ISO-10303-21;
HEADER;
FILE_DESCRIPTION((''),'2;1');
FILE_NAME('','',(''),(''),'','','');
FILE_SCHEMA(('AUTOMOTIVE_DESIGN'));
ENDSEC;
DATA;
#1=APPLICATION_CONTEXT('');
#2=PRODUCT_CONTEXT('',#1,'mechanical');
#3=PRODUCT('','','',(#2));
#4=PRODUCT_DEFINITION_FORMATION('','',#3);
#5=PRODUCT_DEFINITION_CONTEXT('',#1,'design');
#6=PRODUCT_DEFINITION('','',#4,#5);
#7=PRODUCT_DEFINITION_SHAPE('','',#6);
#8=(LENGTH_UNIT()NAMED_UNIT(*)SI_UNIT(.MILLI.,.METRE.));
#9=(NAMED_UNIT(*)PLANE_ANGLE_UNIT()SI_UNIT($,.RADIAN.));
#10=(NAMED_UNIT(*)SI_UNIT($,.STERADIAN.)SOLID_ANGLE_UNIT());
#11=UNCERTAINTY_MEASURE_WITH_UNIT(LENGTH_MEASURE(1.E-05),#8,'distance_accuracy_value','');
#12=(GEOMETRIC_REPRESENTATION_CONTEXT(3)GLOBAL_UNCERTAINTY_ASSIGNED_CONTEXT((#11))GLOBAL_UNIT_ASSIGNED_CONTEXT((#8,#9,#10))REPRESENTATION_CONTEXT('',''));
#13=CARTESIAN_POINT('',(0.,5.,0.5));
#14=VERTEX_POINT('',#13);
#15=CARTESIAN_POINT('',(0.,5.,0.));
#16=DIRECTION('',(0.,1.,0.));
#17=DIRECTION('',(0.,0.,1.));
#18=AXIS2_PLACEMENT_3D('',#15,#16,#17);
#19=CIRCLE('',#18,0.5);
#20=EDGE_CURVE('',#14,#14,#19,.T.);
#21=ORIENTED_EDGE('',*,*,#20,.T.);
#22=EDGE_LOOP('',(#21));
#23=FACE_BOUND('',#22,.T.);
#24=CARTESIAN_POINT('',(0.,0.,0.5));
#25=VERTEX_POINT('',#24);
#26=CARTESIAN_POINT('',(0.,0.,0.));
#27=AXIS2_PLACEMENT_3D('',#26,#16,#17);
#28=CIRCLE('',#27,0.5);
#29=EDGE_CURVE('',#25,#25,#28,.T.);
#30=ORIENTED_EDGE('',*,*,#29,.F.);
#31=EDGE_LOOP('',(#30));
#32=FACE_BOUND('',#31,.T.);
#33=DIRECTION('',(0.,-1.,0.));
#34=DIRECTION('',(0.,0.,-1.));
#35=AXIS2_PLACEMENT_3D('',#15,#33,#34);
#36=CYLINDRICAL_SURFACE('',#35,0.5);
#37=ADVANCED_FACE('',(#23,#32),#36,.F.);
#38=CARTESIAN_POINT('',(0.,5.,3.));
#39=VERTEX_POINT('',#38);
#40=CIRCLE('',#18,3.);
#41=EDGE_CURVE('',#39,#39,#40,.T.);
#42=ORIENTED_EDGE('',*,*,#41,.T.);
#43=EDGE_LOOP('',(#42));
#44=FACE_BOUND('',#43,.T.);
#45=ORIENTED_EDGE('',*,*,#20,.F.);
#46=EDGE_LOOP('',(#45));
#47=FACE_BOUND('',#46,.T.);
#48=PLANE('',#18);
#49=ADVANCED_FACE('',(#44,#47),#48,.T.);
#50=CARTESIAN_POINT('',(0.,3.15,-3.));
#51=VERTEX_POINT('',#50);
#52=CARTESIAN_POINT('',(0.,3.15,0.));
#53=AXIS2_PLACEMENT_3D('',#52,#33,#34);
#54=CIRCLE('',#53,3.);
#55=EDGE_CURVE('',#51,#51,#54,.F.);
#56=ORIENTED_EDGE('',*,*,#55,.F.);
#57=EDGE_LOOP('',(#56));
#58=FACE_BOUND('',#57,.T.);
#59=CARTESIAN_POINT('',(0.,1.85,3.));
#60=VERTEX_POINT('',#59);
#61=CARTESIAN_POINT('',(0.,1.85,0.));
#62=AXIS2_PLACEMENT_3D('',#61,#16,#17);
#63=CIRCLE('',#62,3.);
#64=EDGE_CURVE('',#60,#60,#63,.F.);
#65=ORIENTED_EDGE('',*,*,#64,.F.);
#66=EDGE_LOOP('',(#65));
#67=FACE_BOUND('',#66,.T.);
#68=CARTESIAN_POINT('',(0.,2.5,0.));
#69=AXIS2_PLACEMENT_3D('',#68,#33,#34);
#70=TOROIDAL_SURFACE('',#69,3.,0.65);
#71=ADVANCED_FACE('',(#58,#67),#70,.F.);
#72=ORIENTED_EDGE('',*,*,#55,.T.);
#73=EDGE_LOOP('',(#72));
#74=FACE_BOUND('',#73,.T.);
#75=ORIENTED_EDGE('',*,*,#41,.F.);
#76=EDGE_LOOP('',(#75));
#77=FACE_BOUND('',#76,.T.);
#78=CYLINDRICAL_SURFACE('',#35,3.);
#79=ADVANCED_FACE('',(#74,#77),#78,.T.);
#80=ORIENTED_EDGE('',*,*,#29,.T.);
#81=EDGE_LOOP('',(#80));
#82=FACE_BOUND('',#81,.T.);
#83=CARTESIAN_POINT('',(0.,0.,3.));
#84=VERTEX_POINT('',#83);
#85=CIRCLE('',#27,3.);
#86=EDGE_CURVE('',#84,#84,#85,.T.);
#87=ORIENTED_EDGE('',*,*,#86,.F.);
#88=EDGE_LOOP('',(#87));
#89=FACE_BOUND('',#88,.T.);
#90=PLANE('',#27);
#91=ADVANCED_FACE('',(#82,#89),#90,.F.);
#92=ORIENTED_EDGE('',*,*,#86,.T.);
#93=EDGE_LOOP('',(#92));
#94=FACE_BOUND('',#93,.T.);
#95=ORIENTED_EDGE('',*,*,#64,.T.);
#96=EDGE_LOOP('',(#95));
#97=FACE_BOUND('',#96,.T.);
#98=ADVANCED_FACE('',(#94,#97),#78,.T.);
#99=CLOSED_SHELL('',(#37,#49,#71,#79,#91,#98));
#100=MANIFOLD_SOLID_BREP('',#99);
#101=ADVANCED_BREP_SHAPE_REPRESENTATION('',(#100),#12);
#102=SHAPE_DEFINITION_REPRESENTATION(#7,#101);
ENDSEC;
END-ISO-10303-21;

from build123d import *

# Parameters (mm, degrees)
SKETCH1_R           = 3
SKETCH1_R_2         = 0.5
BOSS_EXTRUDE1_DEPTH = 5
SKETCH2_R           = 0.65


with BuildPart() as part:
    # Sketch1 → Boss-Extrude1 (new body)
    with BuildSketch(Plane(origin=(0, 0, 0), x_dir=(1, 0, 0), z_dir=(0, 1, 0))):
        with Locations(Location((0, 0, 0), (0, 0, 270))):
            Circle(SKETCH1_R)
        with Locations(Location((0, 0, 0), (0, 0, 270))):
            Circle(SKETCH1_R_2, mode=Mode.SUBTRACT)
    extrude(amount=BOSS_EXTRUDE1_DEPTH)

    # Sketch2 → Cut-Revolve1 (revolve, cut)
    with BuildSketch(Plane.XY, mode=Mode.PRIVATE) as cut_revolve1_sk:
        with Locations((3, 2.5)):
            Circle(SKETCH2_R)
    revolve(cut_revolve1_sk.sketch.rotate(Axis((0, 0, 0), (0, 1, 0)), 90), axis=Axis((0, 0, 0), (0, 1, 0)), mode=Mode.SUBTRACT)


solid = part.part
